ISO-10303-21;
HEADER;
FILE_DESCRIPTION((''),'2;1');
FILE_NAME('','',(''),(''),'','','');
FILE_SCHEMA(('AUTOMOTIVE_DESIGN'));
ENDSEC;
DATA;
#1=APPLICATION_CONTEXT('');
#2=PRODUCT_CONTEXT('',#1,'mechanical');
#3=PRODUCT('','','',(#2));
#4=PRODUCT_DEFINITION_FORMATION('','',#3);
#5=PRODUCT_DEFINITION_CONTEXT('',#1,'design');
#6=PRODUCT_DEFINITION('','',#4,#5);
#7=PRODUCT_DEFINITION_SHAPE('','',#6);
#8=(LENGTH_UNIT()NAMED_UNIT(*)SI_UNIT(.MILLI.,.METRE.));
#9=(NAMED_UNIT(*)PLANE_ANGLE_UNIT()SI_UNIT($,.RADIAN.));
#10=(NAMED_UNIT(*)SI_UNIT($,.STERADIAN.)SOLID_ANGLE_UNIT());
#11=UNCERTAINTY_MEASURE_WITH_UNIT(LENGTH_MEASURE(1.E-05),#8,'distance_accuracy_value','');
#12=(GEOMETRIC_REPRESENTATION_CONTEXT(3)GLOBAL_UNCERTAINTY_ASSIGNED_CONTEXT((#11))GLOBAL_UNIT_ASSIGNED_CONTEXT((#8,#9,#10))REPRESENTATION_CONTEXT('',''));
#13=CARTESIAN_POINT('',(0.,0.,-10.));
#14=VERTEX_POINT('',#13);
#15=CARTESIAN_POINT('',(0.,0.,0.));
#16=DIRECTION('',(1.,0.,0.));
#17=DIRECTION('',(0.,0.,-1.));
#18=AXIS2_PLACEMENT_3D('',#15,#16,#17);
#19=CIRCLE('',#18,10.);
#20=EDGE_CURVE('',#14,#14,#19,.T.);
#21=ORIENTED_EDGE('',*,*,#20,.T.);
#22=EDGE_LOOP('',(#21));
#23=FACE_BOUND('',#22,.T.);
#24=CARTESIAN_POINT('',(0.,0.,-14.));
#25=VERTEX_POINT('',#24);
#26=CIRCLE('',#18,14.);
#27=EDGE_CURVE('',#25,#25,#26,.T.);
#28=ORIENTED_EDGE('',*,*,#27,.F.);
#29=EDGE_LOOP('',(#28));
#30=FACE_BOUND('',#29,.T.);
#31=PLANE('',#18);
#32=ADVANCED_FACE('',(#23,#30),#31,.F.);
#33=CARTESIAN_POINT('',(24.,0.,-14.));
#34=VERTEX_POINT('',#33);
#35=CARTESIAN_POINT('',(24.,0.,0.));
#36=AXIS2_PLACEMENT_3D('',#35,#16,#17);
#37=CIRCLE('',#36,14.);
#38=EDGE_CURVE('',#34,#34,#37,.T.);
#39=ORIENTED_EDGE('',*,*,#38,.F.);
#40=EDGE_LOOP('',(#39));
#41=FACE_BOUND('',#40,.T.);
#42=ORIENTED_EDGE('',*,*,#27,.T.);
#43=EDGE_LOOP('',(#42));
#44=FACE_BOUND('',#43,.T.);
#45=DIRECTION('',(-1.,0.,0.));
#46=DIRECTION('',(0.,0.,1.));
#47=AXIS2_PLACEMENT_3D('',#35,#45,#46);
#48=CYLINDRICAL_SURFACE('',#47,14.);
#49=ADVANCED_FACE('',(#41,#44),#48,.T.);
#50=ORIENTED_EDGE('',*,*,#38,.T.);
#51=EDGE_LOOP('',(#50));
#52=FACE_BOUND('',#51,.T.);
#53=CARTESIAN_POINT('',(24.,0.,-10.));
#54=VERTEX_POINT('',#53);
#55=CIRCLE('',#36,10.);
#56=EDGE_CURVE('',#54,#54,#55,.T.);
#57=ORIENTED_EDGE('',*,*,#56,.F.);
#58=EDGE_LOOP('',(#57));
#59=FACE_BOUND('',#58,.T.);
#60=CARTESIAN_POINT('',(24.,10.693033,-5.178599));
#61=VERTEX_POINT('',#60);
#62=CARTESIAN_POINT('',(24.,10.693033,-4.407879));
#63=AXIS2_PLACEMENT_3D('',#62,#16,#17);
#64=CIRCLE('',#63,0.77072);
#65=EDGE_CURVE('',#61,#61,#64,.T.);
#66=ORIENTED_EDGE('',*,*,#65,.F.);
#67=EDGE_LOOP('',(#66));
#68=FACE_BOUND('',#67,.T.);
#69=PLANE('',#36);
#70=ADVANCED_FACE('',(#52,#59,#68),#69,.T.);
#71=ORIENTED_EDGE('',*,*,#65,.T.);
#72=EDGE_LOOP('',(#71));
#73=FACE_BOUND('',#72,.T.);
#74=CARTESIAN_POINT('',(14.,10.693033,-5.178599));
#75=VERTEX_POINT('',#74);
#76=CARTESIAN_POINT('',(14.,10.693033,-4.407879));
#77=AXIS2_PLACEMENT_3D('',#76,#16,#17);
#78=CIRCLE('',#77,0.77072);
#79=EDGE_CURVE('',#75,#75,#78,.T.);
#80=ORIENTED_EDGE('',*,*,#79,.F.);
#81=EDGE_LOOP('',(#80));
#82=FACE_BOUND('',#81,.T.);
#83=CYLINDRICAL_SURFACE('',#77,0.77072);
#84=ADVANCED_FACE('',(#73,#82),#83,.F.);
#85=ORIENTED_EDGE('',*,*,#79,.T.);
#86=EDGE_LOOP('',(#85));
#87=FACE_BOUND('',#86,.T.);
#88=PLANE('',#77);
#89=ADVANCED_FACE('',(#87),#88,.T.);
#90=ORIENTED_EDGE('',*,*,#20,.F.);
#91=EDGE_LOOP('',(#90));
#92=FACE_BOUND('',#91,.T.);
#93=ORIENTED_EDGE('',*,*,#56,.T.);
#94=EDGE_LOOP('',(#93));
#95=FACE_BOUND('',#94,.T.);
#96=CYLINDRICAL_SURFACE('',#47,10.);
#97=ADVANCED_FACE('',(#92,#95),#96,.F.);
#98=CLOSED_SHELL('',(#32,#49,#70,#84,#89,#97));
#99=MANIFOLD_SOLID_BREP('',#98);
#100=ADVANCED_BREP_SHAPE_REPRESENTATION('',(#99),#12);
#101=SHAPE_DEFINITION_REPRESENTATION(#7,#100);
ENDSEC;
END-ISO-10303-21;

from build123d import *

# Parameters (mm, degrees)
SKETCH1_R           = 14
SKETCH1_R_2         = 10
EXTRUDE_THIN1_DEPTH = 24
SKETCH2_R           = 0.77071999
CUT_EXTRUDE1_DEPTH  = 10


with BuildPart() as part:
    # Sketch1 → Extrude-Thin1 (new body)
    with BuildSketch(Plane(origin=(0, 0, 0), x_dir=(0, 0, -1), z_dir=(1, 0, 0))):
        Circle(SKETCH1_R)
        Circle(SKETCH1_R_2, mode=Mode.SUBTRACT)
    extrude(amount=EXTRUDE_THIN1_DEPTH)

    # Sketch2 → Cut-Extrude1 (cut)
    with BuildSketch(Plane(origin=(24, 0, 0), x_dir=(0, 0, -1), z_dir=(1, 0, 0))):
        with Locations((4.407879167, 10.693032536)):
            Circle(SKETCH2_R)
    extrude(amount=-CUT_EXTRUDE1_DEPTH, mode=Mode.SUBTRACT)


solid = part.part
